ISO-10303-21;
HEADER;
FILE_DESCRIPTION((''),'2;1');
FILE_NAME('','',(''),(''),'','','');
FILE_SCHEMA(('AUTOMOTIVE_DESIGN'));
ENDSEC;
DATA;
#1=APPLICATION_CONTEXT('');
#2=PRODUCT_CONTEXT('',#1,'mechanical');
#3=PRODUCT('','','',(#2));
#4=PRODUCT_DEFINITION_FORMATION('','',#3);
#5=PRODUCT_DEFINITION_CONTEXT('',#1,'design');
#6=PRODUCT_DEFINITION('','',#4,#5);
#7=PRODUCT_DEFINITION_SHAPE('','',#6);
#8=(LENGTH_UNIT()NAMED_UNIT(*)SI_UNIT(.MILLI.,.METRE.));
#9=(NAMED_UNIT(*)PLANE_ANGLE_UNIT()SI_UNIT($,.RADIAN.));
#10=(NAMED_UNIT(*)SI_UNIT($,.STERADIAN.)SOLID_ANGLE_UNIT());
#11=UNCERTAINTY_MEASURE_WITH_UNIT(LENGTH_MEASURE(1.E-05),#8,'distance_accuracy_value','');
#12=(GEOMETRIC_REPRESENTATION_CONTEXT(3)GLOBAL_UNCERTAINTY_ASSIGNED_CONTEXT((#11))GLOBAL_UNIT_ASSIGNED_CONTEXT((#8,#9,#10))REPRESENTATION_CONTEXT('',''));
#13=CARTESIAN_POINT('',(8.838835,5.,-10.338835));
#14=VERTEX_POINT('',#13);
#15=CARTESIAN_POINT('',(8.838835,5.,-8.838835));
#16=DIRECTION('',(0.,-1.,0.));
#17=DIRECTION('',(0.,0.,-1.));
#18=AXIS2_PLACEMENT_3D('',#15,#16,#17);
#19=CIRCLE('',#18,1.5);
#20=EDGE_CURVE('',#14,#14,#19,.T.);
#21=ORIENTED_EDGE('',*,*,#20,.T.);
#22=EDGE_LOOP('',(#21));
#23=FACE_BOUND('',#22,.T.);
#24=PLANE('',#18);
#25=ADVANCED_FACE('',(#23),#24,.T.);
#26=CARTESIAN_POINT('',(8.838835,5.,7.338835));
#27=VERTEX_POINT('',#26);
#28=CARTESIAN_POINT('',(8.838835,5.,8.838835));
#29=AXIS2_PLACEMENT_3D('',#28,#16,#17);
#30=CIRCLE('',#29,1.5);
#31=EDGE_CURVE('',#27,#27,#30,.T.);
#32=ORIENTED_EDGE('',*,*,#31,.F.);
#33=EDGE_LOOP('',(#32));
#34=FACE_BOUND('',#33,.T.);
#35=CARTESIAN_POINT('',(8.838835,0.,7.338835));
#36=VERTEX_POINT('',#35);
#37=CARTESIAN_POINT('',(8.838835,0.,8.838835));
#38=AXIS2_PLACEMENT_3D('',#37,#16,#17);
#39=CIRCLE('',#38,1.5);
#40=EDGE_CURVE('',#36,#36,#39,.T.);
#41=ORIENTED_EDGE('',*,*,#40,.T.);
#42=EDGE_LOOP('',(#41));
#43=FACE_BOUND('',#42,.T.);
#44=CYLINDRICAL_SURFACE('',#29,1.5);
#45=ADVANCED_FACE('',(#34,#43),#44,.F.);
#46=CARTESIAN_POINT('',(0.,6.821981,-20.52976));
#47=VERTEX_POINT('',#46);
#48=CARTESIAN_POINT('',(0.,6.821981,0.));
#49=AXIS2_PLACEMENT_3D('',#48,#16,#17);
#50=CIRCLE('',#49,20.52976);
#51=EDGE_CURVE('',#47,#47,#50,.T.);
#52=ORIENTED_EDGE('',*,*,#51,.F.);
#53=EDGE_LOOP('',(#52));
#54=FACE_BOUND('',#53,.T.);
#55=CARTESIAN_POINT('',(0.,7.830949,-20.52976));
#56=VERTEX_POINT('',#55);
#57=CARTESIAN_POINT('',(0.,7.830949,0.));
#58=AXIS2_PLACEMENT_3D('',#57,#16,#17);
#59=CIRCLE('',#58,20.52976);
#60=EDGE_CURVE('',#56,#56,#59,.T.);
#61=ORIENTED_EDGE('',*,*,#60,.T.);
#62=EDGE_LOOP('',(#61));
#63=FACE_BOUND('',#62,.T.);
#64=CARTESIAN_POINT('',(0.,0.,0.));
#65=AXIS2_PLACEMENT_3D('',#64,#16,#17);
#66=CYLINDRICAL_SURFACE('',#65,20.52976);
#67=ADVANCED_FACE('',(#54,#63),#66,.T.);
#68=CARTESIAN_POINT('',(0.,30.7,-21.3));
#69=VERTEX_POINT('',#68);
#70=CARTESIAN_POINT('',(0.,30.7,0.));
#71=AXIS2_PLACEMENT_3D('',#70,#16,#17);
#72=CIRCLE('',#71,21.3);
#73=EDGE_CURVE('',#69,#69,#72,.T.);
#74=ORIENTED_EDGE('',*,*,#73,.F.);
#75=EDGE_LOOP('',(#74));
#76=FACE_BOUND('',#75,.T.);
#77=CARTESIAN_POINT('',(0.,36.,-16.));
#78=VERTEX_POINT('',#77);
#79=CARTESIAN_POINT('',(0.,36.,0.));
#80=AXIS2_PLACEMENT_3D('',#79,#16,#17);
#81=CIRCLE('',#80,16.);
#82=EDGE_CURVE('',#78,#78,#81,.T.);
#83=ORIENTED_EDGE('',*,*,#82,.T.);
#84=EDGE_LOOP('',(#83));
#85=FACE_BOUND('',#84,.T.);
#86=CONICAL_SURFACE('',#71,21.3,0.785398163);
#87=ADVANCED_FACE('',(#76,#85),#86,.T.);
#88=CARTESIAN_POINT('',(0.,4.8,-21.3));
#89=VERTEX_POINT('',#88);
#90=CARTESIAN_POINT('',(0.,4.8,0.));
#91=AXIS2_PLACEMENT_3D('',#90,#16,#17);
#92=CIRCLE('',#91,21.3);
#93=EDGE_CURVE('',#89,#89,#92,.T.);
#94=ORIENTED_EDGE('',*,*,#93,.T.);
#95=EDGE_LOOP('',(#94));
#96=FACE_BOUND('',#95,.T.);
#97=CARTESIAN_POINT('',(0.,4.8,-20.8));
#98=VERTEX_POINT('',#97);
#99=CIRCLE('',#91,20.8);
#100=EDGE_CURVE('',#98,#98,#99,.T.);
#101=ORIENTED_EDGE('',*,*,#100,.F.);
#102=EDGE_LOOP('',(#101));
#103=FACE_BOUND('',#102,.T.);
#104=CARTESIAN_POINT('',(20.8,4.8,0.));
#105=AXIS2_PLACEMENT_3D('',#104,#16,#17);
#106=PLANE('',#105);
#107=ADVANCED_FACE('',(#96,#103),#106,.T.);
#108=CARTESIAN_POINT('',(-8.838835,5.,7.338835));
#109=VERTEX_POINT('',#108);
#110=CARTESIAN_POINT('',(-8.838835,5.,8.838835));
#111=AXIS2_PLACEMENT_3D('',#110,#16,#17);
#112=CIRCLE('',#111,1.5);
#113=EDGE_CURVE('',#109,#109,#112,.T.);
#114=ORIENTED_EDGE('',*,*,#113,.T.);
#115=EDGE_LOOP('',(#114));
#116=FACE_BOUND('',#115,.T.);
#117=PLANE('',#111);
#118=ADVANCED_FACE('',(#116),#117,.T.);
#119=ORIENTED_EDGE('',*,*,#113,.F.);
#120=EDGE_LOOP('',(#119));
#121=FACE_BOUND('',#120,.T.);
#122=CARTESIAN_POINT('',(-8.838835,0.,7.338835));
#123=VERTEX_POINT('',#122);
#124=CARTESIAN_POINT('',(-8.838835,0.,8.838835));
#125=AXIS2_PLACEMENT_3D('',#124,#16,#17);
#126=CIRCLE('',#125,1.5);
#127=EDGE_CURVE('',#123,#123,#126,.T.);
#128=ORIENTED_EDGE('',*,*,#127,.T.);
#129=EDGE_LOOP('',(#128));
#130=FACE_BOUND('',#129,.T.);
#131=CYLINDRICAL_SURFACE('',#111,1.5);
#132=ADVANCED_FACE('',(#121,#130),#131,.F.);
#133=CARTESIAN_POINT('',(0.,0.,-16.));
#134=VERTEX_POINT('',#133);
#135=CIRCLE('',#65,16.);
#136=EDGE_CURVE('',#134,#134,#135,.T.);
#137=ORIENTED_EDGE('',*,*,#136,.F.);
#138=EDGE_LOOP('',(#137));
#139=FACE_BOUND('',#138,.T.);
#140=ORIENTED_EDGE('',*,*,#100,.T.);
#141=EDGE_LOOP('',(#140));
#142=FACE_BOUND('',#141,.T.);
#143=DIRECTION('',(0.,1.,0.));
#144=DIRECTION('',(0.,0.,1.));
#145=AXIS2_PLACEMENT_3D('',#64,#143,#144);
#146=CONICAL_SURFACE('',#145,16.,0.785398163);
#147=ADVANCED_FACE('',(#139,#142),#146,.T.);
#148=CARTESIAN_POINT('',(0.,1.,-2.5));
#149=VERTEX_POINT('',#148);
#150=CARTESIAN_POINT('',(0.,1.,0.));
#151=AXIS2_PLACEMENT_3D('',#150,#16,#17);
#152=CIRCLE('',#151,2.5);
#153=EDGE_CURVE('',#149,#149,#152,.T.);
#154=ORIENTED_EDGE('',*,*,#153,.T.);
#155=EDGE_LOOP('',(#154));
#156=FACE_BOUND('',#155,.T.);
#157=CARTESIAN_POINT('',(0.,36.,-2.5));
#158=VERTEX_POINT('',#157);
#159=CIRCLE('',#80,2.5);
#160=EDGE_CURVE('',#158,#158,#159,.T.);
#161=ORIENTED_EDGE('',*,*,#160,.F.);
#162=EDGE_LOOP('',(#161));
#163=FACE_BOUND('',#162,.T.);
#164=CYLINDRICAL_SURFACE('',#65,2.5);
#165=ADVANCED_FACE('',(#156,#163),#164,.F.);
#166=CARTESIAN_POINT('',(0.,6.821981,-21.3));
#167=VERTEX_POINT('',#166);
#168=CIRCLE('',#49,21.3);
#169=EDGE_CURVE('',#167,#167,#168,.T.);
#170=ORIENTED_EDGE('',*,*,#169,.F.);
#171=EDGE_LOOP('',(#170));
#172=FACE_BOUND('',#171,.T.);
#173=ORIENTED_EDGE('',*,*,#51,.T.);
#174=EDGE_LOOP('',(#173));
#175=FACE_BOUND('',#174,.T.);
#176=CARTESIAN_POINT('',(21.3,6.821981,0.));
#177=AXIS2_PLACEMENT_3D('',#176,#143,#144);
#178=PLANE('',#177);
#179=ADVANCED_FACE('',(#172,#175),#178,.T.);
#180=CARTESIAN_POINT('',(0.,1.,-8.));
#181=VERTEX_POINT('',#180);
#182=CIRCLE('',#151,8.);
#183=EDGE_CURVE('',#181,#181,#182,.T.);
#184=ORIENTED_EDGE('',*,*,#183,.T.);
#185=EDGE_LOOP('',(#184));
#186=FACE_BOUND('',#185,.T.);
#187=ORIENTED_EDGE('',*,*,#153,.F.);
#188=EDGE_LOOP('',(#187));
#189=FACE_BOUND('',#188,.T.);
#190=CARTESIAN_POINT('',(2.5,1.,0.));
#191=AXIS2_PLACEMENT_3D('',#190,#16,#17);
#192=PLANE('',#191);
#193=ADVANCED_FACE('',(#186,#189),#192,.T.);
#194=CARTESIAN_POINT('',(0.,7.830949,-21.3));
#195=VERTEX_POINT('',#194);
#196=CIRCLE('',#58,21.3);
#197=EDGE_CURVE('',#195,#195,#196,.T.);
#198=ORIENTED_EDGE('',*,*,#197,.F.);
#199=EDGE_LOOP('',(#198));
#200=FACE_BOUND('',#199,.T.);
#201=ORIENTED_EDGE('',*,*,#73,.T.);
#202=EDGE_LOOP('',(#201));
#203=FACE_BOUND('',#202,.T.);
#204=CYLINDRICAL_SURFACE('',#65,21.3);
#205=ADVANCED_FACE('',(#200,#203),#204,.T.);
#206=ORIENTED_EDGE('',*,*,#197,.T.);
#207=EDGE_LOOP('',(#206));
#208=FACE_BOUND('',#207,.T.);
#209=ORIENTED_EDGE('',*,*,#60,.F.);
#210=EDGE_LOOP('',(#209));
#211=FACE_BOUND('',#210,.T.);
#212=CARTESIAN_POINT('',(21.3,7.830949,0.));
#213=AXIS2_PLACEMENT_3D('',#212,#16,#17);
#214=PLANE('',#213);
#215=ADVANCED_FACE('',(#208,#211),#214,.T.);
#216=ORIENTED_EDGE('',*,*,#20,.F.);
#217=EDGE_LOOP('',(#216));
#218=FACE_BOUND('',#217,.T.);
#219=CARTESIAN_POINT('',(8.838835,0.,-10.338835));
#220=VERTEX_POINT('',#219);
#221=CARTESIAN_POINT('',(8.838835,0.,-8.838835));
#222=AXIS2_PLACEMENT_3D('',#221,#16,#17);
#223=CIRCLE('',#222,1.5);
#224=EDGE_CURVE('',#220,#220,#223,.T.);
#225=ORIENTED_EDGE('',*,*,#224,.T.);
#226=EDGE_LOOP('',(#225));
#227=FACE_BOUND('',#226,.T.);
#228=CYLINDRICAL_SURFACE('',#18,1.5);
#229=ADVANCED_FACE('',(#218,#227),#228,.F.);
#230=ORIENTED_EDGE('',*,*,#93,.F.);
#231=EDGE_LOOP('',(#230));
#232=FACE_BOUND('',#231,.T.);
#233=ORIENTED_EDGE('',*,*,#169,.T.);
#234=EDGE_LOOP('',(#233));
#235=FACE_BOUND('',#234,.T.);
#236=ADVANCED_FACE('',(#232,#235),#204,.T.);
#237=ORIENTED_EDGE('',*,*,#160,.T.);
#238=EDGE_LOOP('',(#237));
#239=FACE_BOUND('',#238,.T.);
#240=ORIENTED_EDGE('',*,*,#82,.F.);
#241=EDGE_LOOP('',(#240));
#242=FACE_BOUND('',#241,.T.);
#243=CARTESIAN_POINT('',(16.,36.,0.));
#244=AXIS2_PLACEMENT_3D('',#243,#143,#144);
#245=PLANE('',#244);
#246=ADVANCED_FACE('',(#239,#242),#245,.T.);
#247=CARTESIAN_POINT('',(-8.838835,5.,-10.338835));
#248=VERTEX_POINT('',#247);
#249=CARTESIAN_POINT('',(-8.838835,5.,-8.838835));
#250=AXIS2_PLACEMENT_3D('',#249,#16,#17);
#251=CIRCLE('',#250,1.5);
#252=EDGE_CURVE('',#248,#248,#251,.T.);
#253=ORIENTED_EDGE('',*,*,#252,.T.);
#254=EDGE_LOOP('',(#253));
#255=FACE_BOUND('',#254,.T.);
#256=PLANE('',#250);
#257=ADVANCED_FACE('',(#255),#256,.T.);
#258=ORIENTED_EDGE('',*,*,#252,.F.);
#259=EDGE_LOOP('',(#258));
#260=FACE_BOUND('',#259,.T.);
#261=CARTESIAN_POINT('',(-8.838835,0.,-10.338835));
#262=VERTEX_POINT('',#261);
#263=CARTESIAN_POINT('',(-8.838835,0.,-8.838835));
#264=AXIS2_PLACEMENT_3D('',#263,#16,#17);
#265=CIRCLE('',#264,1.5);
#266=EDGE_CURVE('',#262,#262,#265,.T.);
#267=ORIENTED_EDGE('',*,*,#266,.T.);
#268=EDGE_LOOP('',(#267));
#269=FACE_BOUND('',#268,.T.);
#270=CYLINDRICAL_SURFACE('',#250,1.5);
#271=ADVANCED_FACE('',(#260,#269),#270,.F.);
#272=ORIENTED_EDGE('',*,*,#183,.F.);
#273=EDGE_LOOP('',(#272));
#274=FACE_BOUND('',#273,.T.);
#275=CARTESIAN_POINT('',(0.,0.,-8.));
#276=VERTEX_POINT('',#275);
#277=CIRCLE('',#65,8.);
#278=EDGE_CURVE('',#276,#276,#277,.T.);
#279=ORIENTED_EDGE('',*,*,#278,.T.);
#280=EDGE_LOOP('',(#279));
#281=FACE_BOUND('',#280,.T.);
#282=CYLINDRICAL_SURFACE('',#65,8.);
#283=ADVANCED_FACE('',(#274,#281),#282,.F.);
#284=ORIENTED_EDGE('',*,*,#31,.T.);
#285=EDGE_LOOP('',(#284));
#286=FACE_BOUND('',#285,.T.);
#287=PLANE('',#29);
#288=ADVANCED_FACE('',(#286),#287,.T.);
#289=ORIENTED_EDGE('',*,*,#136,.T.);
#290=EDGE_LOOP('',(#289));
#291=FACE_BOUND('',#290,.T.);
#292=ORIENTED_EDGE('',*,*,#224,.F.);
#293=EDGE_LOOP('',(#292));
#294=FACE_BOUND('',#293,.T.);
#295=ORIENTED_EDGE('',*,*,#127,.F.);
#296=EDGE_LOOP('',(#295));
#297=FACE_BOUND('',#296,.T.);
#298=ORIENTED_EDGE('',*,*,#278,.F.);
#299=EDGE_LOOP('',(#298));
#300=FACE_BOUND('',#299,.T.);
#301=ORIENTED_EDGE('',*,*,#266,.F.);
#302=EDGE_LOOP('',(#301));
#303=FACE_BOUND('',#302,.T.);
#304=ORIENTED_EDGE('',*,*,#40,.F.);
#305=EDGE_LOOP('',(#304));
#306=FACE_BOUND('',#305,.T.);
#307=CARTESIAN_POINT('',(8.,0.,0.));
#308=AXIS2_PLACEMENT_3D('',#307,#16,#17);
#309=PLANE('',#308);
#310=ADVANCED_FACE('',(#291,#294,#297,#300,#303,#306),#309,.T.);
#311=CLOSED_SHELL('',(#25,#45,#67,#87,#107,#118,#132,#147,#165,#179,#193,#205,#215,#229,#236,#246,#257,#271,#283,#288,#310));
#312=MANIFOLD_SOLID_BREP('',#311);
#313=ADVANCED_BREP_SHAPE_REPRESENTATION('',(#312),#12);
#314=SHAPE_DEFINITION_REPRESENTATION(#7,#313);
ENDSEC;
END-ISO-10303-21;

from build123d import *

# Parameters (mm, degrees)
SKETCH2_R          = 1.5
CUT_EXTRUDE1_DEPTH = 5


with BuildPart() as part:
    # Sketch1 → Revolve1 (revolve)
    with BuildSketch(Plane.XY):
        Polygon((8, 0), (16, 0), (20.8, 4.8), (21.3, 4.8), (21.3, 6.821980551), (20.529759762, 6.821980551), (20.529759762, 7.830949193), (21.3, 7.830949193), (21.3, 30.7), (16, 36), (2.5, 36), (2.5, 1), (8, 1), align=None)
    revolve(axis=Axis((0, 0, 0), (0, 1, 0)))

    # Sketch2 → Cut-Extrude1 (cut)
    with BuildSketch(Plane.XZ):
        with Locations((-8.838834765, 8.838834765)):
            Circle(SKETCH2_R)
        with Locations((8.838834765, 8.838834765)):
            Circle(SKETCH2_R)
        with Locations((8.838834765, -8.838834765)):
            Circle(SKETCH2_R)
        with Locations((-8.838834765, -8.838834765)):
            Circle(SKETCH2_R)
    extrude(amount=-CUT_EXTRUDE1_DEPTH, mode=Mode.SUBTRACT)


solid = part.part
